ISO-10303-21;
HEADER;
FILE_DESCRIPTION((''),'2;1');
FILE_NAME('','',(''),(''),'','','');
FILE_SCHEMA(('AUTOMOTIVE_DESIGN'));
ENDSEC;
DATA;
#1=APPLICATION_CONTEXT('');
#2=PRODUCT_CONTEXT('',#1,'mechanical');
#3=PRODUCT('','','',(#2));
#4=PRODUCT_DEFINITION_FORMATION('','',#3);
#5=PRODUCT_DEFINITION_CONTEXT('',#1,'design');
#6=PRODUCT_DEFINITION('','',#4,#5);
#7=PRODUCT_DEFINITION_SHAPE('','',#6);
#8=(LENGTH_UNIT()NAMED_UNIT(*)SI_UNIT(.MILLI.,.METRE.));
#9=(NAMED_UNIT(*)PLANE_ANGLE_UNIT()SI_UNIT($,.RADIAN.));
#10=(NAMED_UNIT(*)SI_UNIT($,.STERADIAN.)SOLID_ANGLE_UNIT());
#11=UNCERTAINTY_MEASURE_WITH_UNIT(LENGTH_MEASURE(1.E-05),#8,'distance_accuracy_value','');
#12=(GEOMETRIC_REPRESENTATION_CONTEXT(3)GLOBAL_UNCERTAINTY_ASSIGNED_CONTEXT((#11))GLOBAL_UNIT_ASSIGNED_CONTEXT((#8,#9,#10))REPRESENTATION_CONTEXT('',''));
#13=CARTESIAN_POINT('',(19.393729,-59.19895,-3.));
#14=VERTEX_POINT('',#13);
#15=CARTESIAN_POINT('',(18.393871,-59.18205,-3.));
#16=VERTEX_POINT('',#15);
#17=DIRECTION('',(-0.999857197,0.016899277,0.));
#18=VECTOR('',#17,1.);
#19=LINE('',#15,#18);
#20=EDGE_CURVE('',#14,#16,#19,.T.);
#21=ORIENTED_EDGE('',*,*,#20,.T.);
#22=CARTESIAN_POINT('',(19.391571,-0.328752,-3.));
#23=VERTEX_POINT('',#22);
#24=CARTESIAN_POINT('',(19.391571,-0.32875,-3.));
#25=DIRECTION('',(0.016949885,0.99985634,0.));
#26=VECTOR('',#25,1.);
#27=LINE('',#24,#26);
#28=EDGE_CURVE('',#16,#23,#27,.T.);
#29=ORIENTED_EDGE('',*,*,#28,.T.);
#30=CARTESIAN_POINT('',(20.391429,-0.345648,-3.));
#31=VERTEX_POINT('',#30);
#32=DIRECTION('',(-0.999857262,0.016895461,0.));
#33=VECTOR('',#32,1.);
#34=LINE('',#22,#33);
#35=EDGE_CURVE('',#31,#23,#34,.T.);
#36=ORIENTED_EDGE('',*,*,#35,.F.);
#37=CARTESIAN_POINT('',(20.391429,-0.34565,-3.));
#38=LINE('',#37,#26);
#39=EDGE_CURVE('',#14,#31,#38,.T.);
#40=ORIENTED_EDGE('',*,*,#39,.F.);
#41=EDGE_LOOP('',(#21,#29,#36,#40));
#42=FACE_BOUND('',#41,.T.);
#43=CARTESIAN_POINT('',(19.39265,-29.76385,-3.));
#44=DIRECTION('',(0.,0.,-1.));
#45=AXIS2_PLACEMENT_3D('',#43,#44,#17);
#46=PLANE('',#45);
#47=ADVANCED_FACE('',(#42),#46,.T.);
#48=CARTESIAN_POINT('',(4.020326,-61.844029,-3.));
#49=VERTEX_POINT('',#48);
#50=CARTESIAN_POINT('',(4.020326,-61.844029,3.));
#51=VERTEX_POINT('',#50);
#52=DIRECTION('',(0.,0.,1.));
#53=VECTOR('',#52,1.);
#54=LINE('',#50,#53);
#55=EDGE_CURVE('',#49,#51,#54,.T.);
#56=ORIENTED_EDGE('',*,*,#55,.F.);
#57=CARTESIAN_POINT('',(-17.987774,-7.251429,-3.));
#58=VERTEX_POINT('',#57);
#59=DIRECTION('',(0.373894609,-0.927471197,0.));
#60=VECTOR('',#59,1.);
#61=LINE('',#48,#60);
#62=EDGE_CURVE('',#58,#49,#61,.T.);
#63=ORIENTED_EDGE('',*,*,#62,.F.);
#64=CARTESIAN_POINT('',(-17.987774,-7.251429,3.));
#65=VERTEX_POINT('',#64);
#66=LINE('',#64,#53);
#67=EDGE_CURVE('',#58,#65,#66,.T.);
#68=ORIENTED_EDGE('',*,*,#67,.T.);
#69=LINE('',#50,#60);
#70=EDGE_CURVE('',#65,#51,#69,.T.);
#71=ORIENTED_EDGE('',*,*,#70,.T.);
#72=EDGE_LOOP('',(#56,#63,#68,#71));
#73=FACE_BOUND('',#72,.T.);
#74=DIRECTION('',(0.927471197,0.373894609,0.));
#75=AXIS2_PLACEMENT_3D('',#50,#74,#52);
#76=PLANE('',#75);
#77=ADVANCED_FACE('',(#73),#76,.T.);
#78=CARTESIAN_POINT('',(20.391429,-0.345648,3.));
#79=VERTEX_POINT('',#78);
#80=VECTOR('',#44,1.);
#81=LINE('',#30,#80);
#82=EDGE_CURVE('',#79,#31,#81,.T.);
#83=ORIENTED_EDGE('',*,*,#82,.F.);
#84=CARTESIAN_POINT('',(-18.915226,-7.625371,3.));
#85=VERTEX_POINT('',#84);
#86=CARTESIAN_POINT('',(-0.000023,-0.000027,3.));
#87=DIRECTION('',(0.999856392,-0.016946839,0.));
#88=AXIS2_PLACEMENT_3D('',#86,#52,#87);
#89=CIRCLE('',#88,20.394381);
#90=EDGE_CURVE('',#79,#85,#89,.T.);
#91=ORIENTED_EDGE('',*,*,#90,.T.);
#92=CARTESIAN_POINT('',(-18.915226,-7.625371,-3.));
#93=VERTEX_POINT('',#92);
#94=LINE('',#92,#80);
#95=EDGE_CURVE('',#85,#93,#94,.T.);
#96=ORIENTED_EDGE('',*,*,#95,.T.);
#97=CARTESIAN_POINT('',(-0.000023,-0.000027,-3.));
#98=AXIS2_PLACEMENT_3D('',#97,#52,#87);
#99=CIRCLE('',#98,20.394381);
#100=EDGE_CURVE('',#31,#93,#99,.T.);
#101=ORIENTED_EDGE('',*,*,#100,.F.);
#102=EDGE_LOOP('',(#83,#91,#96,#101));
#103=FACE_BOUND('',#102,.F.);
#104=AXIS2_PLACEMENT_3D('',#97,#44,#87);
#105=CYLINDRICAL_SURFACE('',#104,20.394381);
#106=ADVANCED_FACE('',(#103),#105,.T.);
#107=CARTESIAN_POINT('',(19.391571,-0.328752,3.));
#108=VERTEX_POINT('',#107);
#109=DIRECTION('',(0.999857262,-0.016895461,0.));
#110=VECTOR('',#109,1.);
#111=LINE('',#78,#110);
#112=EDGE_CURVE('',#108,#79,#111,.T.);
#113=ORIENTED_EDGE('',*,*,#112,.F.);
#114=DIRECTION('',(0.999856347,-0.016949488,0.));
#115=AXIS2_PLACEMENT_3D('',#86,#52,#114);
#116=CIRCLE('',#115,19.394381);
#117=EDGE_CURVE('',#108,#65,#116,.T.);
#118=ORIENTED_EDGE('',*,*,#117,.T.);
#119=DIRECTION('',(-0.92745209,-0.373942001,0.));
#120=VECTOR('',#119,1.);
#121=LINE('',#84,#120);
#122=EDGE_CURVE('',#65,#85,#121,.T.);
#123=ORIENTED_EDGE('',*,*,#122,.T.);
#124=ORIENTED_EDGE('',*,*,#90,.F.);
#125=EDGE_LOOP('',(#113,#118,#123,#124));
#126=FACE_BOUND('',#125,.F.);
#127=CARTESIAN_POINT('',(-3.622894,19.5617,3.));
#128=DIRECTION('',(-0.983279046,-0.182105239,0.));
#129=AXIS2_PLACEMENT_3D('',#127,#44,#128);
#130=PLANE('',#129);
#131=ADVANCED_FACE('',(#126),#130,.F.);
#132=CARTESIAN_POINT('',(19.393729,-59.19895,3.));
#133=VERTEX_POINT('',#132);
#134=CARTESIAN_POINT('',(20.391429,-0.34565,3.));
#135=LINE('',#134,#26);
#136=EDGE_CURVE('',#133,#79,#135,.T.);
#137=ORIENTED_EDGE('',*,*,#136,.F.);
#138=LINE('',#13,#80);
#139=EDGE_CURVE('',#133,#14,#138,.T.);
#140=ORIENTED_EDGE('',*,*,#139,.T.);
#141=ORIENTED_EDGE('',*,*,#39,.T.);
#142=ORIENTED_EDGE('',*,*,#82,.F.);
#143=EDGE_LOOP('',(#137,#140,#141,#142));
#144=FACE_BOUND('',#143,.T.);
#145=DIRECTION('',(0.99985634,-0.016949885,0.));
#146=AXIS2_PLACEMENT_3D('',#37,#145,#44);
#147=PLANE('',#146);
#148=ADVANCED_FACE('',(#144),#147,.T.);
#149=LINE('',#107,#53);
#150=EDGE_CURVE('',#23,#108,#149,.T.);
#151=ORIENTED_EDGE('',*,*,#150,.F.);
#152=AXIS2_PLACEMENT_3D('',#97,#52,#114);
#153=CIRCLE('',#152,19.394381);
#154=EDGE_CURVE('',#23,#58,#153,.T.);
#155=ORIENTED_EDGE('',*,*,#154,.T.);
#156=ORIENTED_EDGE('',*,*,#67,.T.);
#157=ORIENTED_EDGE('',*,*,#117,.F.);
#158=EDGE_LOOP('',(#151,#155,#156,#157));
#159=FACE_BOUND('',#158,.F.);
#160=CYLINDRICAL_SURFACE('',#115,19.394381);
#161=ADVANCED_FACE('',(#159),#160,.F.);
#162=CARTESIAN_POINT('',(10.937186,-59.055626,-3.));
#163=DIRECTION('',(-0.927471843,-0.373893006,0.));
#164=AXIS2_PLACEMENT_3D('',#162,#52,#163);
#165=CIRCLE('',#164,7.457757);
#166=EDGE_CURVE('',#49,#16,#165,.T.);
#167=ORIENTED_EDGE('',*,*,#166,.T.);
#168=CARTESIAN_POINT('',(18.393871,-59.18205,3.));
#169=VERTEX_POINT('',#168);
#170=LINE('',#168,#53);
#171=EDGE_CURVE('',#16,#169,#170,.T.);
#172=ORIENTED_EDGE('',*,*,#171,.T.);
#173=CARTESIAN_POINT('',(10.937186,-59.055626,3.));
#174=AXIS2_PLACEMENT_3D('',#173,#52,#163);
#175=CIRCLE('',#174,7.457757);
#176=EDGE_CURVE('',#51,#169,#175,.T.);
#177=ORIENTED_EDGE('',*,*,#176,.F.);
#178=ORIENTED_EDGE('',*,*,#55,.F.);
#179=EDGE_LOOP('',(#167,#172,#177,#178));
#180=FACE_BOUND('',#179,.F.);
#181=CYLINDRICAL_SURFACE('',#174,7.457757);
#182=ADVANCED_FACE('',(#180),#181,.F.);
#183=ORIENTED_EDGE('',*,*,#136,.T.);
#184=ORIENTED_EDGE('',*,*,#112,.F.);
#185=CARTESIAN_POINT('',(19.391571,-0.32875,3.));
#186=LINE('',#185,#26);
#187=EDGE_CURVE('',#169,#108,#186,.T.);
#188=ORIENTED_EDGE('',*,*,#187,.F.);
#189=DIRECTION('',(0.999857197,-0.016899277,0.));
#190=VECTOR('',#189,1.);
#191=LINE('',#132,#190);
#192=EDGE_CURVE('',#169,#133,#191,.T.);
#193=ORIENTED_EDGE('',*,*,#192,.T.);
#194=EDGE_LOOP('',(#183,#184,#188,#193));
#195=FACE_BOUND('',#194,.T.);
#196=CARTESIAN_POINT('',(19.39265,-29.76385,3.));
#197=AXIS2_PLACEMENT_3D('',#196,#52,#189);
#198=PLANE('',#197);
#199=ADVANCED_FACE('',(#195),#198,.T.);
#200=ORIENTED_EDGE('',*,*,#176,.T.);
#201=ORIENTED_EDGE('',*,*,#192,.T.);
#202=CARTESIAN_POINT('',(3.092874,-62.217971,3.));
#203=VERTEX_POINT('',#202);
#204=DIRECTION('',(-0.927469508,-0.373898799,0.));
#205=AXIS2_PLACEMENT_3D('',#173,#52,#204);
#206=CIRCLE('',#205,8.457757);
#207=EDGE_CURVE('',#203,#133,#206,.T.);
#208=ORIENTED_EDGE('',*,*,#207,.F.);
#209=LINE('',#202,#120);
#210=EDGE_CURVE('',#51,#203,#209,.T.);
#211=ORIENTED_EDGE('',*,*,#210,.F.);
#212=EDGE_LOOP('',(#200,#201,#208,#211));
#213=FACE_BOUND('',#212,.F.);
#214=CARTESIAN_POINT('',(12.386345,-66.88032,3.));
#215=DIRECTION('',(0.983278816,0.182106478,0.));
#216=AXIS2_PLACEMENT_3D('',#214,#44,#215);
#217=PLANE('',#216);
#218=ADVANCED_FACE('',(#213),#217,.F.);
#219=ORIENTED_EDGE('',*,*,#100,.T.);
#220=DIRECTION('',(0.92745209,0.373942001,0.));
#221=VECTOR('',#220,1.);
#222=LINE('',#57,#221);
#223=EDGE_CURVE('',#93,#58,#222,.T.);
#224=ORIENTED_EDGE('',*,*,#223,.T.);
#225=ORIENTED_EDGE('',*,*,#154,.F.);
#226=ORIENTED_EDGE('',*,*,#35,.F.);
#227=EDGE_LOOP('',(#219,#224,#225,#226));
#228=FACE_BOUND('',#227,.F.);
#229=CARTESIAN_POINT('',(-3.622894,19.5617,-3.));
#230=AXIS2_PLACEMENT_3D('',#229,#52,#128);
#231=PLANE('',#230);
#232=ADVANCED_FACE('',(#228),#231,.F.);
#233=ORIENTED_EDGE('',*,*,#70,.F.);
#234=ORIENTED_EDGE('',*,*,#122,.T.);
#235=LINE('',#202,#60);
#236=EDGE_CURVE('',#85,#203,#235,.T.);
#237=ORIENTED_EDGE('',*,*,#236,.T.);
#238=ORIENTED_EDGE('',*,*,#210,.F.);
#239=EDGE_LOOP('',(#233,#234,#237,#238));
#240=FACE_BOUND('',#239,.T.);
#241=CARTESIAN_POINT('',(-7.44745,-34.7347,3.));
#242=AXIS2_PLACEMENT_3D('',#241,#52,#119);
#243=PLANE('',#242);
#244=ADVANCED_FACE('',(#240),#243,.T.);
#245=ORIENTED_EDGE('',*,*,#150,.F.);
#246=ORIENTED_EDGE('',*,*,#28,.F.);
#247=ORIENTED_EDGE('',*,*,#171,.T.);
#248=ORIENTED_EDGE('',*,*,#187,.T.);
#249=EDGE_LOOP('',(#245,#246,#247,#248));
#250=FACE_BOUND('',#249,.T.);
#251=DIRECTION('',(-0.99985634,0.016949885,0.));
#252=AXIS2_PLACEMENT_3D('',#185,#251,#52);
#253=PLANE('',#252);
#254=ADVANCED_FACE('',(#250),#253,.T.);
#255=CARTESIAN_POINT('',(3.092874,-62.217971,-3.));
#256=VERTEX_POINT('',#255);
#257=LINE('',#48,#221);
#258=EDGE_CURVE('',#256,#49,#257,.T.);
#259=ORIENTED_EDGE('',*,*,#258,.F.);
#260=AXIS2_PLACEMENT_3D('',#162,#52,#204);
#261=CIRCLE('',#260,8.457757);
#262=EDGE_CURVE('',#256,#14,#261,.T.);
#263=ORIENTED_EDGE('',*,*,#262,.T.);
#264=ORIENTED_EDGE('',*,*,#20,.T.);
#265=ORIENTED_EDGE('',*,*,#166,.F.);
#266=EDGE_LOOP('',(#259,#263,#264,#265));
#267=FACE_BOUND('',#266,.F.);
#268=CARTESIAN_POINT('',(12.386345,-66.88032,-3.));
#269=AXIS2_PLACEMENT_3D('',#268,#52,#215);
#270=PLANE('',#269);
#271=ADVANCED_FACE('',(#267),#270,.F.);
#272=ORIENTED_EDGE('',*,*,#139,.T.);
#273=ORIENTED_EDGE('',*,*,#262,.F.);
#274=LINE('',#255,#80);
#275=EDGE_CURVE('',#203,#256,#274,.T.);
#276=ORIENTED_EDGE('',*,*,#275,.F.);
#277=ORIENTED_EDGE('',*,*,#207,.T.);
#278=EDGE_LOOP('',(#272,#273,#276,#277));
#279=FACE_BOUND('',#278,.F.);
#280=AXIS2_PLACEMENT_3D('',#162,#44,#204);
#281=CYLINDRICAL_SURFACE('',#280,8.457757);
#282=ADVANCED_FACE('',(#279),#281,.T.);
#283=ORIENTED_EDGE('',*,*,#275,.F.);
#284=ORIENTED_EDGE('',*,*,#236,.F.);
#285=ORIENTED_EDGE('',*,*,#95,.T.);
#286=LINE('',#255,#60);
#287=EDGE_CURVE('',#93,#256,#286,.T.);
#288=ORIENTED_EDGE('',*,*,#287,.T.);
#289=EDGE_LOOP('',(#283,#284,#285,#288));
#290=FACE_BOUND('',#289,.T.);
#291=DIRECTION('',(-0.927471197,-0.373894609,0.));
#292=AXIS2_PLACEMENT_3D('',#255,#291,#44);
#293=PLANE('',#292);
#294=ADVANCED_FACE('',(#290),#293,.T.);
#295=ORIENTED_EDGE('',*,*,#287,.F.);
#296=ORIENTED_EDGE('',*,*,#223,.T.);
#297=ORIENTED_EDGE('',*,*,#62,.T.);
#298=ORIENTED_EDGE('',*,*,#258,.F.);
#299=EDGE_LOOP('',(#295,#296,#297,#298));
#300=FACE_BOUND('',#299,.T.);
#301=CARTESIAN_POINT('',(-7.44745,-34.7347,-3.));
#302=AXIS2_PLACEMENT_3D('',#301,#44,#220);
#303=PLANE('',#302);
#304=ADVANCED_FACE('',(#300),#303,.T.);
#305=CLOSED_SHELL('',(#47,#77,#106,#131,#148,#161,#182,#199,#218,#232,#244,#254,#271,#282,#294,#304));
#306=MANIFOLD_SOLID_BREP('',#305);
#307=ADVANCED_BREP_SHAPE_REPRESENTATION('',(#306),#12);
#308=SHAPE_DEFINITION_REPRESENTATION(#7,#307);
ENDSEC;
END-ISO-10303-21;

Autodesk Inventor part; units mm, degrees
sketch "Sketch Path" plane through (0, 0, 0) normal (0, 0, 1) x (1, 0, 0)
  arc A0 (3.5566, -62.031) -> (18.8938, -59.1905) centre (10.9372, -59.0556) ccw
  arc A1 (19.8915, -0.3372) -> (-18.4515, -7.4384) centre (0, 0) ccw
  line L0 (19.8915, -0.3372) -> (18.8938, -59.1905)
  line L1 (3.5566, -62.031) -> (-18.4515, -7.4384)
ref_plane "Cross Section Plane" through (18.8938, -59.1905, 0) normal (0.0169, 0.9999, 0) x (0, 0, 1)
ref_plane "Work Plane2" through (10.9372, -59.0556, 0) normal (-1, 0, 0) x (0, 0, 1)
ref_plane "Work Plane3" through (0, 0, 0) normal (0.294, -0.9558, 0) x (0, 0, 1)
sketch "Cross Section" plane through (18.8938, -59.1905, 0) normal (0.0169, 0.9999, 0) x (0, 0, 1)
  line L0 (-3, 0.5) -> (3, 0.5)
  line L1 (3, 0.5) -> (3, -0.5)
  line L2 (3, -0.5) -> (-3, -0.5)
  line L3 (-3, -0.5) -> (-3, 0.5)
  line L4 (-3, 0) -> (3, 0) construction
  point P0 (0, 0)
  point P1 (0, 0)
  dimension "d0" = 6
  dimension "d4" = 0.5
  dimension "d5" = 0.5
sweep "Belt" add profiles "Cross Section" path "Sketch Path"
equation "\"d0\" = da_B"
equation "\"d4\" = da_a"
equation "\"d5\" = da_a2"
equation "\"da_B\" = 6"
equation "\"da_pb\" = 5"
equation "\"da_a\" = 0.5"
equation "\"da_S\" = 2.65"
equation "\"da_Beta\" = 20deg"
equation "\"da_Ht\" = 1.2"
equation "\"da_H\" = 2.2"
equation "\"da_a2\" = 0.5"
properties part number "Synchronous Belt" material "Rubber"
